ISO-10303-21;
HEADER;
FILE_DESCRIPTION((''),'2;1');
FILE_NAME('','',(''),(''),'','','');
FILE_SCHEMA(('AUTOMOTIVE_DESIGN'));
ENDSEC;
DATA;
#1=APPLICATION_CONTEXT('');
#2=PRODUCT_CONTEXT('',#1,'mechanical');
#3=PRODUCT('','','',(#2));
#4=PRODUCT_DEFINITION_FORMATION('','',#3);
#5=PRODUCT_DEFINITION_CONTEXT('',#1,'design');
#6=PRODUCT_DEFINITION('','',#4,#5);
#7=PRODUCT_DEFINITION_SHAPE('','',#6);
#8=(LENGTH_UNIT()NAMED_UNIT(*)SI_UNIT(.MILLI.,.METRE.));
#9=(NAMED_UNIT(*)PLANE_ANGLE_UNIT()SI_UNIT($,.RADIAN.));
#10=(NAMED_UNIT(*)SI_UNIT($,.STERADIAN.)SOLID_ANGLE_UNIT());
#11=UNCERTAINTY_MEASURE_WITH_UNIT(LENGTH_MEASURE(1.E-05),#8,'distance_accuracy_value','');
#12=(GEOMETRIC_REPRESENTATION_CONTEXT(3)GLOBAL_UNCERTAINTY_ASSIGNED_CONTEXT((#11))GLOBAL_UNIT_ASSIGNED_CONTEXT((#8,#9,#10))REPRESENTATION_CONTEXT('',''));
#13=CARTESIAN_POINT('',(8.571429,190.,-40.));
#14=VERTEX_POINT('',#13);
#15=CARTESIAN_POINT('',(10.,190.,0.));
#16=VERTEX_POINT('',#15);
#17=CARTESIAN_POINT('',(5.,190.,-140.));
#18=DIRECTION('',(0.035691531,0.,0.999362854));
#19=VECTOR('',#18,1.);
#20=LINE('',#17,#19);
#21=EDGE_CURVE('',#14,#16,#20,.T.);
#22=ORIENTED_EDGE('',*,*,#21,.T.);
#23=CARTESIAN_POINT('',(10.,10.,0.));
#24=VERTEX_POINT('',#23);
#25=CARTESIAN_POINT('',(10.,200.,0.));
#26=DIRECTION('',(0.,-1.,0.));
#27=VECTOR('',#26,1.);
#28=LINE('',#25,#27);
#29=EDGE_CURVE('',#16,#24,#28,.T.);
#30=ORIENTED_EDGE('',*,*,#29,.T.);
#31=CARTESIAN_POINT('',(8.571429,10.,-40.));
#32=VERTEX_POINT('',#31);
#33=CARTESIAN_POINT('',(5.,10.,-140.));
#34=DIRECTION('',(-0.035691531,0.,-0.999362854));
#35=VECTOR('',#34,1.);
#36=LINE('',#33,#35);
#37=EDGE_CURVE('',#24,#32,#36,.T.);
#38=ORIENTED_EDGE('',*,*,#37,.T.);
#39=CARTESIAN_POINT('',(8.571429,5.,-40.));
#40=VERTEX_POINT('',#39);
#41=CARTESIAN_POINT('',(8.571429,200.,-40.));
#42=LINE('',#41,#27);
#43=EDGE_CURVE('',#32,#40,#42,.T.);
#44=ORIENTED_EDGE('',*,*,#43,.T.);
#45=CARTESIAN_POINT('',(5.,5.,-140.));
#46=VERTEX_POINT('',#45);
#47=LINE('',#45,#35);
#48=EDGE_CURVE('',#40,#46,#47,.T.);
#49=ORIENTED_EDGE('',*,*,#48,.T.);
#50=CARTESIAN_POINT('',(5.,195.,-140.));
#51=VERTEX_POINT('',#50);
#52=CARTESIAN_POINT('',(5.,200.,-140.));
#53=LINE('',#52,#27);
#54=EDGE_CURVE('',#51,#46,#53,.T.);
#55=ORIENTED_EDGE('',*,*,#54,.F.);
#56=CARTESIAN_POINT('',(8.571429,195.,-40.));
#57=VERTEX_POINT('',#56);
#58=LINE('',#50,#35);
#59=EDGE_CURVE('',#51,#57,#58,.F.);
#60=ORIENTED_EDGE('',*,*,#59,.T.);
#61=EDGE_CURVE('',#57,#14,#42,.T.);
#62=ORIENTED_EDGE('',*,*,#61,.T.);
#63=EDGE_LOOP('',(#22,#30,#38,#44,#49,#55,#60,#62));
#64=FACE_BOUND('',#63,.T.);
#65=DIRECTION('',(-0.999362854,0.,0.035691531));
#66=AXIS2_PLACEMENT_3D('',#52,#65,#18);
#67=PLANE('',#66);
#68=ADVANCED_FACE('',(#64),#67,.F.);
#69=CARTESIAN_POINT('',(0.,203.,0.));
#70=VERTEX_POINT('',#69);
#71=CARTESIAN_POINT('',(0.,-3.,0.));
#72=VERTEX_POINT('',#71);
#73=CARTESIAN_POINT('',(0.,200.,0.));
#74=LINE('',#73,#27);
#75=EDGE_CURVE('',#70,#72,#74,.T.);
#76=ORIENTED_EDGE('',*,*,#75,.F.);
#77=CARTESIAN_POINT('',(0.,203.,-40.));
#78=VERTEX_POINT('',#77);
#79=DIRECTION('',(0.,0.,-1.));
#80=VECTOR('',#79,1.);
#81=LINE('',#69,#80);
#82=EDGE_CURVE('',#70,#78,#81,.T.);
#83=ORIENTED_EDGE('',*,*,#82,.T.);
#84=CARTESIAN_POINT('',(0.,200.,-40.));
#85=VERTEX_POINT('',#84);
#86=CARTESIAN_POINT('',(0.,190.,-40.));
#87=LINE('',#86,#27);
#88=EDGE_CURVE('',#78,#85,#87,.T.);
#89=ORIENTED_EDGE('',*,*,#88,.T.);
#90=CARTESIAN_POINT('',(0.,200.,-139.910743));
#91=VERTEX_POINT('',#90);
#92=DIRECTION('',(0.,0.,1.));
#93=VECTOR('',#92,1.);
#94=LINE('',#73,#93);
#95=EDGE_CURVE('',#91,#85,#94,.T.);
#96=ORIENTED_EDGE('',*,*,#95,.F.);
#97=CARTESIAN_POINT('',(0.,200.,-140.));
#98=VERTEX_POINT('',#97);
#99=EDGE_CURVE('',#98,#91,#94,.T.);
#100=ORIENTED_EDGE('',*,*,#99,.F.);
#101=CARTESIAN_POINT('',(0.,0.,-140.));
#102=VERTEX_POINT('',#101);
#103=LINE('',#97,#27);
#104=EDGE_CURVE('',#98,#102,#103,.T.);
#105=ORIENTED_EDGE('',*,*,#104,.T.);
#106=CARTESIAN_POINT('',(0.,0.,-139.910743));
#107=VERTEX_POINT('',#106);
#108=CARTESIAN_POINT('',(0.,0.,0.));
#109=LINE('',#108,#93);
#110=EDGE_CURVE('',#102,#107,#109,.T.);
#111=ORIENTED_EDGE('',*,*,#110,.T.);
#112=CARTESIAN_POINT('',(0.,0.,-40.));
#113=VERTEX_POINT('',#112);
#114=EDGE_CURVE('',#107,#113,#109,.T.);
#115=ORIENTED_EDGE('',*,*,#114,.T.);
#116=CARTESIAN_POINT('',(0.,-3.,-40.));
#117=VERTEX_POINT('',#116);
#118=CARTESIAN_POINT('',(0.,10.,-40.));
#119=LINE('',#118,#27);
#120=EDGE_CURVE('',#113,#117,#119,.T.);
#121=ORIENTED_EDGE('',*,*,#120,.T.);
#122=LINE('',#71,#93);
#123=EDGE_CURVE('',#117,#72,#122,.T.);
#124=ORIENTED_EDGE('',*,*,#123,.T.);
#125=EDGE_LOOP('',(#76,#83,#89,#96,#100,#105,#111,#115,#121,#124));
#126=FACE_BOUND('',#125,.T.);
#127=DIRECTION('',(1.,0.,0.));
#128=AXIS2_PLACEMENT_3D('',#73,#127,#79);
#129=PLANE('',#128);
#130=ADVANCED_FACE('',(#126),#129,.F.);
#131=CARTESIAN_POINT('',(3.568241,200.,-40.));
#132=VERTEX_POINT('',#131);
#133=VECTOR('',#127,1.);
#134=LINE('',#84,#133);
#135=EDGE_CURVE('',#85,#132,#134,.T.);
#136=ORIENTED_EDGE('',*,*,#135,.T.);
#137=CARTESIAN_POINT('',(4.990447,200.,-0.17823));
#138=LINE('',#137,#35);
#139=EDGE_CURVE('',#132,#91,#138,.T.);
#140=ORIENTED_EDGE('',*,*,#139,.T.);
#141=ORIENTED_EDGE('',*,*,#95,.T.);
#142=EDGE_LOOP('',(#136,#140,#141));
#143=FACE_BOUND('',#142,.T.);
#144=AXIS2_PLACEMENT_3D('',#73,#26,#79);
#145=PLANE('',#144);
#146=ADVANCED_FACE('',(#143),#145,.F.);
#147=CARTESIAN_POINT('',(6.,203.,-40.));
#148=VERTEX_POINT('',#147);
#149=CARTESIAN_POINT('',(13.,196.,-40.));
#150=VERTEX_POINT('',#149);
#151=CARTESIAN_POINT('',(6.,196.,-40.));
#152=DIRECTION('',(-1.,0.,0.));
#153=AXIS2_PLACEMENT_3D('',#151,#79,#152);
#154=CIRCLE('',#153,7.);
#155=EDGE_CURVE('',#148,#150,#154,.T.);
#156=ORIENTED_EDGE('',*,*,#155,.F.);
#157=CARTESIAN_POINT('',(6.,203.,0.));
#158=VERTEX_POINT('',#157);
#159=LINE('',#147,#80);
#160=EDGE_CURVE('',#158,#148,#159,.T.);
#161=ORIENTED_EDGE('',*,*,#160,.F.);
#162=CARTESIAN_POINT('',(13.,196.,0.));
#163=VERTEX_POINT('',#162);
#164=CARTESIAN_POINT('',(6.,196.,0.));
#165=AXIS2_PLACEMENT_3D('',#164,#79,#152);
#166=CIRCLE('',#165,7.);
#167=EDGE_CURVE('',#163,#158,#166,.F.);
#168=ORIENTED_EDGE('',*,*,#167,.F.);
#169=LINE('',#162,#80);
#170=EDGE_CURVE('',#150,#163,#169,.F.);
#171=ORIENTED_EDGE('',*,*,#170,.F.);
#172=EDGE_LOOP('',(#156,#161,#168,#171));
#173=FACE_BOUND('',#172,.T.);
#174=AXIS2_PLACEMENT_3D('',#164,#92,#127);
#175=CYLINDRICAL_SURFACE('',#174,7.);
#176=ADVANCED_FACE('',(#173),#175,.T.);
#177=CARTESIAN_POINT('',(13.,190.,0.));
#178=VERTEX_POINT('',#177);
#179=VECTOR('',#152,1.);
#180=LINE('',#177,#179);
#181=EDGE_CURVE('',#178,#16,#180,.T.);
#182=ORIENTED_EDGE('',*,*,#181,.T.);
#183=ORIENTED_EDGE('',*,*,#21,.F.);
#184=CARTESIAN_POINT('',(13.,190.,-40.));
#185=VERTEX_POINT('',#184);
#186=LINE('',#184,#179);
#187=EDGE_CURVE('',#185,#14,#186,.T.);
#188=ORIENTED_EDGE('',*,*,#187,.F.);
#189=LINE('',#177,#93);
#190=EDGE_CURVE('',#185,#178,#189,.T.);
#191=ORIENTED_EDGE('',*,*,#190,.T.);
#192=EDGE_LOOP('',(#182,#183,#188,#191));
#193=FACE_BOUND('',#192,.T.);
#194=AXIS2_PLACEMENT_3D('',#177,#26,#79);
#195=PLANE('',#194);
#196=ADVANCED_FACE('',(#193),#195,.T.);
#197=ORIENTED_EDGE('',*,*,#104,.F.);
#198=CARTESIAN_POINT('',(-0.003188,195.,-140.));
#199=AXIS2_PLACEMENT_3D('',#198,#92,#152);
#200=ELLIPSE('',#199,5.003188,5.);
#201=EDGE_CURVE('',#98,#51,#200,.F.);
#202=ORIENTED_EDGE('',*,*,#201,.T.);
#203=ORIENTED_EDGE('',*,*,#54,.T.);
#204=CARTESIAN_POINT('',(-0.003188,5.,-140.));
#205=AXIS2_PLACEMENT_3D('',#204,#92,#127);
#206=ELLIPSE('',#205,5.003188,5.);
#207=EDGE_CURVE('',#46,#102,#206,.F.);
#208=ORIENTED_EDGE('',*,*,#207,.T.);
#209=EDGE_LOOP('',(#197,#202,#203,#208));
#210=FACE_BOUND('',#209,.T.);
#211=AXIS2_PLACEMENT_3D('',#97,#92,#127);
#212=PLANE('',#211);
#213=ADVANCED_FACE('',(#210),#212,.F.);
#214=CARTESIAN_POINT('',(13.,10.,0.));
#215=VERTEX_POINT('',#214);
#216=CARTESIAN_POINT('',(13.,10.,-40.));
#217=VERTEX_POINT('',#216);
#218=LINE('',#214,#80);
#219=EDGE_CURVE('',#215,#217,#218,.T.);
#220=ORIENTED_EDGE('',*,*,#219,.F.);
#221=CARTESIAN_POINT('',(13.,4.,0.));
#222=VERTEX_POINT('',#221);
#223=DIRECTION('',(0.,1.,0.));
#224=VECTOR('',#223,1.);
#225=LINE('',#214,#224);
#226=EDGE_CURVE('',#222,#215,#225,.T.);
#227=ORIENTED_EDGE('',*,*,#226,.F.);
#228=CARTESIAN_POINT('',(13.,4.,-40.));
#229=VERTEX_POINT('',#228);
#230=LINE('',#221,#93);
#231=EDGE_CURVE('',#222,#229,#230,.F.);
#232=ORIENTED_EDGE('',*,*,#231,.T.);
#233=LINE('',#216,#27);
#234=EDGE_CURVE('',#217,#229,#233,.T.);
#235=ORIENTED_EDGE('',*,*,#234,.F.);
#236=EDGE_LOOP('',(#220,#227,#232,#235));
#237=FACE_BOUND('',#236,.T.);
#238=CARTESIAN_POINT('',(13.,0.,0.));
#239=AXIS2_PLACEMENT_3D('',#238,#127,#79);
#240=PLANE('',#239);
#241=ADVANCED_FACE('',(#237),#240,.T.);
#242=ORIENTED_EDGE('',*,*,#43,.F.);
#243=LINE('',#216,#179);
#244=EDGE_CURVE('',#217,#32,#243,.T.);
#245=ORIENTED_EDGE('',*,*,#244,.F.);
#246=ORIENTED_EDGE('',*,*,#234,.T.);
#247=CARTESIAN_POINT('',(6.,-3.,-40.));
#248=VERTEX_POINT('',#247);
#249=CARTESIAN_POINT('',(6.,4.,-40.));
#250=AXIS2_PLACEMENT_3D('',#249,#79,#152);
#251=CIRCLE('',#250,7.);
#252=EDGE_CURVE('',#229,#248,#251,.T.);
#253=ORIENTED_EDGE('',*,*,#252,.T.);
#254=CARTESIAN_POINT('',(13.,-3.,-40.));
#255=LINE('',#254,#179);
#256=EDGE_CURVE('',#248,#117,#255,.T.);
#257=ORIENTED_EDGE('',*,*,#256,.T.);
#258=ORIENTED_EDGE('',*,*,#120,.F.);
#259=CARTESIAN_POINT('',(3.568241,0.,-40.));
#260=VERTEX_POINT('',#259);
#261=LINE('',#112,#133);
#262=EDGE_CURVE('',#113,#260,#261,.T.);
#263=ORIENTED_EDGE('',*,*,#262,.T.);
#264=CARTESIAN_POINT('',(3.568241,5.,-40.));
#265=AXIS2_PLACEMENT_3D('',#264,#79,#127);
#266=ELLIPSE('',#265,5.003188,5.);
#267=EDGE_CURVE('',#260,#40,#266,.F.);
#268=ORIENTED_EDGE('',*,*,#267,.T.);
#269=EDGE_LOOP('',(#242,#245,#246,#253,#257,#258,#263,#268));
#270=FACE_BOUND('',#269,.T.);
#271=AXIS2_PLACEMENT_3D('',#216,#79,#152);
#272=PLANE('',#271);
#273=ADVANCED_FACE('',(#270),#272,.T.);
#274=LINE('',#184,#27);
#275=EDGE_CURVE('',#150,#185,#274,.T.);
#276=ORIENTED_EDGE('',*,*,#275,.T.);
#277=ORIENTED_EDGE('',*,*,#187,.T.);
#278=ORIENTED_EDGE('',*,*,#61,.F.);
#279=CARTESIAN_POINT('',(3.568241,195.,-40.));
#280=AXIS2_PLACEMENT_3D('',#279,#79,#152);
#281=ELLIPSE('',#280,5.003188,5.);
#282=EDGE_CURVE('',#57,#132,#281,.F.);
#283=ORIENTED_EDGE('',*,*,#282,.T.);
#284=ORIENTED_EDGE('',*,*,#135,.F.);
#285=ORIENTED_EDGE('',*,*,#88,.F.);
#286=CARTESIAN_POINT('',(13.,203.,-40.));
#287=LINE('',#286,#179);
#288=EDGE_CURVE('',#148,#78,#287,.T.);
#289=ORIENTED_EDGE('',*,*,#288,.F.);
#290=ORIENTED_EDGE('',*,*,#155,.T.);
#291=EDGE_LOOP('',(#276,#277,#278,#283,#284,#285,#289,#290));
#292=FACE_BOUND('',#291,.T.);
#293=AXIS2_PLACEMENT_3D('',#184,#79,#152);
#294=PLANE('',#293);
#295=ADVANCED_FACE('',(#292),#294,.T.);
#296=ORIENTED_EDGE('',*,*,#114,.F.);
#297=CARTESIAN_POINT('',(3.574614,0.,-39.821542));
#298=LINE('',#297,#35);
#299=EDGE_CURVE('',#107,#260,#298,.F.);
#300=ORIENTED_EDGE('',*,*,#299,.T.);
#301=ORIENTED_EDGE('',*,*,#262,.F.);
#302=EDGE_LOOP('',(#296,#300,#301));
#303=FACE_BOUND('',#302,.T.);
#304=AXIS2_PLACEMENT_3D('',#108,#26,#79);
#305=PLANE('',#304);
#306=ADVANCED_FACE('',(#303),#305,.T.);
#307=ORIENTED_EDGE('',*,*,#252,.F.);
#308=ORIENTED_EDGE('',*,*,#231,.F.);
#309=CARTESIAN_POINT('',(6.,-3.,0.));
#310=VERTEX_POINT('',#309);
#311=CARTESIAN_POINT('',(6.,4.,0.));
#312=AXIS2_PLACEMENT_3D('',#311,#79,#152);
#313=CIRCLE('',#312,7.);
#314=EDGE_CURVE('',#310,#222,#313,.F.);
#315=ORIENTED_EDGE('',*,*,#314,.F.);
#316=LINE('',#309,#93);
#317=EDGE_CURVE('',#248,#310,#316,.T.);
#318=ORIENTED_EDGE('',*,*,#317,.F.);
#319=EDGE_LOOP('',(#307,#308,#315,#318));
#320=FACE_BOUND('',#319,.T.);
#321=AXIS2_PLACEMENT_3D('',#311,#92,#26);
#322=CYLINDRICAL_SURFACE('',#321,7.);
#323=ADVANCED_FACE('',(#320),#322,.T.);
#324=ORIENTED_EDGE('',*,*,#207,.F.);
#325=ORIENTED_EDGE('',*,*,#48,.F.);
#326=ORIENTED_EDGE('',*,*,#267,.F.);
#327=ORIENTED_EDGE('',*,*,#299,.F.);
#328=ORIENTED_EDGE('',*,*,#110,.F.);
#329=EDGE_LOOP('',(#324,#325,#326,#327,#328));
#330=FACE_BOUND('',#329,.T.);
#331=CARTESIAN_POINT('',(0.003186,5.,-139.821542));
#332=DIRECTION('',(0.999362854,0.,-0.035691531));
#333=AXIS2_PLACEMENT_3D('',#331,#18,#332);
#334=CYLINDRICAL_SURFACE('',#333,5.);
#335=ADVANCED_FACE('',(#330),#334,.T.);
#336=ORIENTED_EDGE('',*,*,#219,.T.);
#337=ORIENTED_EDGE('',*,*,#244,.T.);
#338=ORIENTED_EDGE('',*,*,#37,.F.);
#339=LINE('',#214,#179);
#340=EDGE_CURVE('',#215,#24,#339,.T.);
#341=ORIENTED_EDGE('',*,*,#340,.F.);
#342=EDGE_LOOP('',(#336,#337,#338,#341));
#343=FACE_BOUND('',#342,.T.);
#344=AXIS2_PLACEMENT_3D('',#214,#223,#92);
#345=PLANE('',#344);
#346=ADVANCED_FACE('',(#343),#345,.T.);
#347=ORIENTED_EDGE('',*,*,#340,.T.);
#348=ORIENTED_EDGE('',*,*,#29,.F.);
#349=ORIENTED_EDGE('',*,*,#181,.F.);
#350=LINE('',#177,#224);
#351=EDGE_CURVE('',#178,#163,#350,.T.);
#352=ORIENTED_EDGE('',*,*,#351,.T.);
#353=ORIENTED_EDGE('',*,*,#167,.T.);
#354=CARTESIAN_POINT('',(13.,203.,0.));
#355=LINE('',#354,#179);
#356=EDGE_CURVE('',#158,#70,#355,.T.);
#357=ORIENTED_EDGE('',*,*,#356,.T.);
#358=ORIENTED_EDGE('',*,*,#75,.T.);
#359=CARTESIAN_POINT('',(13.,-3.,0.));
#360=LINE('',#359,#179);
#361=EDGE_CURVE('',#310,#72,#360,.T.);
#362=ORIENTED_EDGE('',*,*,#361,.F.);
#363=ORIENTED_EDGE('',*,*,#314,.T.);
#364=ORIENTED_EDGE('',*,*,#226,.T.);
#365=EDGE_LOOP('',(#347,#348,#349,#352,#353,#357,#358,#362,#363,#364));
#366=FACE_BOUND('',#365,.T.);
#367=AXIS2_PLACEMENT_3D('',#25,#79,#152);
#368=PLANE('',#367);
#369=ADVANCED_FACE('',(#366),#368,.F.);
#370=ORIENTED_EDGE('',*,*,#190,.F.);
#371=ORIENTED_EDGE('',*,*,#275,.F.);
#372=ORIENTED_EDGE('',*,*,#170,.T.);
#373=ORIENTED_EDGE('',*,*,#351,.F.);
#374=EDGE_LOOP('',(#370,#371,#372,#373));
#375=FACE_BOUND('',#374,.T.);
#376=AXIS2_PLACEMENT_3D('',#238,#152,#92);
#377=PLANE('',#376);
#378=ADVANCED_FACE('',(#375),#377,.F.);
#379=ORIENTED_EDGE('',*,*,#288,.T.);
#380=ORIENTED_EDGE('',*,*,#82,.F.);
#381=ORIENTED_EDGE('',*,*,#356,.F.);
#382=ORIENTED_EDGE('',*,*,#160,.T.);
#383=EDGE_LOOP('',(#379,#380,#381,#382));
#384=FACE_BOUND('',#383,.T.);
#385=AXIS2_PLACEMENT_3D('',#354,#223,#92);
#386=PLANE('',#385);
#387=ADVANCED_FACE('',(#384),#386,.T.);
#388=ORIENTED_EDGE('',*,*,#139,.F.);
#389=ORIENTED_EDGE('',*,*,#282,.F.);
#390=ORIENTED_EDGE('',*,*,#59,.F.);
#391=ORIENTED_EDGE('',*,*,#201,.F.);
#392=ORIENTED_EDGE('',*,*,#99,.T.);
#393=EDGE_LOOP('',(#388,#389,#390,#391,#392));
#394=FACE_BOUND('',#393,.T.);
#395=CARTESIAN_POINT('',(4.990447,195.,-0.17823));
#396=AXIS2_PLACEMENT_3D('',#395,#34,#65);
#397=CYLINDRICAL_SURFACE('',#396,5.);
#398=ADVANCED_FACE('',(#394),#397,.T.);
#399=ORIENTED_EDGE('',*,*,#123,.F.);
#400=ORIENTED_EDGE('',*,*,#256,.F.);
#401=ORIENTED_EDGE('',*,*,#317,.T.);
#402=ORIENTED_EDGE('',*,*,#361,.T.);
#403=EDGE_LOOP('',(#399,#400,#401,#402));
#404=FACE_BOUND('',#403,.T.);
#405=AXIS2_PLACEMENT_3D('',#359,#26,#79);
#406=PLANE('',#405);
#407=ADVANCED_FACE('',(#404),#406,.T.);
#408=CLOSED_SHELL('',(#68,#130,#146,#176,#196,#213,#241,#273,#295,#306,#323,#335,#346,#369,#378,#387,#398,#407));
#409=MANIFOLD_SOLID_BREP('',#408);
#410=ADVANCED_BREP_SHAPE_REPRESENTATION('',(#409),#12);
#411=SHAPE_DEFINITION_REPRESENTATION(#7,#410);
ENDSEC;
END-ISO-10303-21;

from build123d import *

# Parameters (mm, degrees)
SALIENTE_EXTRUIR1_DEPTH = 200
CROQUIS5_W              = 40
CROQUIS5_H              = 13
SALIENTE_EXTRUIR4_DEPTH = 13
REDONDEO9_R             = 7
REDONDEO11_R            = 5


with BuildPart() as part:
    # Croquis1 → Saliente-Extruir1 (new body)
    with BuildSketch(Plane(origin=(0, 0, 0), x_dir=(1, 0, 0), z_dir=(0, 1, 0))):
        Polygon((5, 140), (10, 0), (5, 0), (0, 0), (0, 140), align=None)
    extrude(amount=SALIENTE_EXTRUIR1_DEPTH)

    # Croquis5 → Saliente-Extruir4 (add)
    with BuildSketch(Plane.ZY):
        with Locations((-20, 196.5)):
            Rectangle(CROQUIS5_W, CROQUIS5_H)
        with Locations((-20, 3.5)):
            Rectangle(CROQUIS5_W, CROQUIS5_H)
    extrude(amount=-SALIENTE_EXTRUIR4_DEPTH)

    # Redondeo9
    redondeo9_edges = [part.edges().sort_by_distance(p)[0] for p in [
        (13, 203, -20),
        (13, -3, -20),
    ]]
    fillet(redondeo9_edges, radius=REDONDEO9_R)

    # Redondeo11
    redondeo11_edges = [part.edges().sort_by_distance(p)[0] for p in [
        (6.785714286, 0, -90),
        (6.785714286, 200, -90),
    ]]
    fillet(redondeo11_edges, radius=REDONDEO11_R)


solid = part.part
